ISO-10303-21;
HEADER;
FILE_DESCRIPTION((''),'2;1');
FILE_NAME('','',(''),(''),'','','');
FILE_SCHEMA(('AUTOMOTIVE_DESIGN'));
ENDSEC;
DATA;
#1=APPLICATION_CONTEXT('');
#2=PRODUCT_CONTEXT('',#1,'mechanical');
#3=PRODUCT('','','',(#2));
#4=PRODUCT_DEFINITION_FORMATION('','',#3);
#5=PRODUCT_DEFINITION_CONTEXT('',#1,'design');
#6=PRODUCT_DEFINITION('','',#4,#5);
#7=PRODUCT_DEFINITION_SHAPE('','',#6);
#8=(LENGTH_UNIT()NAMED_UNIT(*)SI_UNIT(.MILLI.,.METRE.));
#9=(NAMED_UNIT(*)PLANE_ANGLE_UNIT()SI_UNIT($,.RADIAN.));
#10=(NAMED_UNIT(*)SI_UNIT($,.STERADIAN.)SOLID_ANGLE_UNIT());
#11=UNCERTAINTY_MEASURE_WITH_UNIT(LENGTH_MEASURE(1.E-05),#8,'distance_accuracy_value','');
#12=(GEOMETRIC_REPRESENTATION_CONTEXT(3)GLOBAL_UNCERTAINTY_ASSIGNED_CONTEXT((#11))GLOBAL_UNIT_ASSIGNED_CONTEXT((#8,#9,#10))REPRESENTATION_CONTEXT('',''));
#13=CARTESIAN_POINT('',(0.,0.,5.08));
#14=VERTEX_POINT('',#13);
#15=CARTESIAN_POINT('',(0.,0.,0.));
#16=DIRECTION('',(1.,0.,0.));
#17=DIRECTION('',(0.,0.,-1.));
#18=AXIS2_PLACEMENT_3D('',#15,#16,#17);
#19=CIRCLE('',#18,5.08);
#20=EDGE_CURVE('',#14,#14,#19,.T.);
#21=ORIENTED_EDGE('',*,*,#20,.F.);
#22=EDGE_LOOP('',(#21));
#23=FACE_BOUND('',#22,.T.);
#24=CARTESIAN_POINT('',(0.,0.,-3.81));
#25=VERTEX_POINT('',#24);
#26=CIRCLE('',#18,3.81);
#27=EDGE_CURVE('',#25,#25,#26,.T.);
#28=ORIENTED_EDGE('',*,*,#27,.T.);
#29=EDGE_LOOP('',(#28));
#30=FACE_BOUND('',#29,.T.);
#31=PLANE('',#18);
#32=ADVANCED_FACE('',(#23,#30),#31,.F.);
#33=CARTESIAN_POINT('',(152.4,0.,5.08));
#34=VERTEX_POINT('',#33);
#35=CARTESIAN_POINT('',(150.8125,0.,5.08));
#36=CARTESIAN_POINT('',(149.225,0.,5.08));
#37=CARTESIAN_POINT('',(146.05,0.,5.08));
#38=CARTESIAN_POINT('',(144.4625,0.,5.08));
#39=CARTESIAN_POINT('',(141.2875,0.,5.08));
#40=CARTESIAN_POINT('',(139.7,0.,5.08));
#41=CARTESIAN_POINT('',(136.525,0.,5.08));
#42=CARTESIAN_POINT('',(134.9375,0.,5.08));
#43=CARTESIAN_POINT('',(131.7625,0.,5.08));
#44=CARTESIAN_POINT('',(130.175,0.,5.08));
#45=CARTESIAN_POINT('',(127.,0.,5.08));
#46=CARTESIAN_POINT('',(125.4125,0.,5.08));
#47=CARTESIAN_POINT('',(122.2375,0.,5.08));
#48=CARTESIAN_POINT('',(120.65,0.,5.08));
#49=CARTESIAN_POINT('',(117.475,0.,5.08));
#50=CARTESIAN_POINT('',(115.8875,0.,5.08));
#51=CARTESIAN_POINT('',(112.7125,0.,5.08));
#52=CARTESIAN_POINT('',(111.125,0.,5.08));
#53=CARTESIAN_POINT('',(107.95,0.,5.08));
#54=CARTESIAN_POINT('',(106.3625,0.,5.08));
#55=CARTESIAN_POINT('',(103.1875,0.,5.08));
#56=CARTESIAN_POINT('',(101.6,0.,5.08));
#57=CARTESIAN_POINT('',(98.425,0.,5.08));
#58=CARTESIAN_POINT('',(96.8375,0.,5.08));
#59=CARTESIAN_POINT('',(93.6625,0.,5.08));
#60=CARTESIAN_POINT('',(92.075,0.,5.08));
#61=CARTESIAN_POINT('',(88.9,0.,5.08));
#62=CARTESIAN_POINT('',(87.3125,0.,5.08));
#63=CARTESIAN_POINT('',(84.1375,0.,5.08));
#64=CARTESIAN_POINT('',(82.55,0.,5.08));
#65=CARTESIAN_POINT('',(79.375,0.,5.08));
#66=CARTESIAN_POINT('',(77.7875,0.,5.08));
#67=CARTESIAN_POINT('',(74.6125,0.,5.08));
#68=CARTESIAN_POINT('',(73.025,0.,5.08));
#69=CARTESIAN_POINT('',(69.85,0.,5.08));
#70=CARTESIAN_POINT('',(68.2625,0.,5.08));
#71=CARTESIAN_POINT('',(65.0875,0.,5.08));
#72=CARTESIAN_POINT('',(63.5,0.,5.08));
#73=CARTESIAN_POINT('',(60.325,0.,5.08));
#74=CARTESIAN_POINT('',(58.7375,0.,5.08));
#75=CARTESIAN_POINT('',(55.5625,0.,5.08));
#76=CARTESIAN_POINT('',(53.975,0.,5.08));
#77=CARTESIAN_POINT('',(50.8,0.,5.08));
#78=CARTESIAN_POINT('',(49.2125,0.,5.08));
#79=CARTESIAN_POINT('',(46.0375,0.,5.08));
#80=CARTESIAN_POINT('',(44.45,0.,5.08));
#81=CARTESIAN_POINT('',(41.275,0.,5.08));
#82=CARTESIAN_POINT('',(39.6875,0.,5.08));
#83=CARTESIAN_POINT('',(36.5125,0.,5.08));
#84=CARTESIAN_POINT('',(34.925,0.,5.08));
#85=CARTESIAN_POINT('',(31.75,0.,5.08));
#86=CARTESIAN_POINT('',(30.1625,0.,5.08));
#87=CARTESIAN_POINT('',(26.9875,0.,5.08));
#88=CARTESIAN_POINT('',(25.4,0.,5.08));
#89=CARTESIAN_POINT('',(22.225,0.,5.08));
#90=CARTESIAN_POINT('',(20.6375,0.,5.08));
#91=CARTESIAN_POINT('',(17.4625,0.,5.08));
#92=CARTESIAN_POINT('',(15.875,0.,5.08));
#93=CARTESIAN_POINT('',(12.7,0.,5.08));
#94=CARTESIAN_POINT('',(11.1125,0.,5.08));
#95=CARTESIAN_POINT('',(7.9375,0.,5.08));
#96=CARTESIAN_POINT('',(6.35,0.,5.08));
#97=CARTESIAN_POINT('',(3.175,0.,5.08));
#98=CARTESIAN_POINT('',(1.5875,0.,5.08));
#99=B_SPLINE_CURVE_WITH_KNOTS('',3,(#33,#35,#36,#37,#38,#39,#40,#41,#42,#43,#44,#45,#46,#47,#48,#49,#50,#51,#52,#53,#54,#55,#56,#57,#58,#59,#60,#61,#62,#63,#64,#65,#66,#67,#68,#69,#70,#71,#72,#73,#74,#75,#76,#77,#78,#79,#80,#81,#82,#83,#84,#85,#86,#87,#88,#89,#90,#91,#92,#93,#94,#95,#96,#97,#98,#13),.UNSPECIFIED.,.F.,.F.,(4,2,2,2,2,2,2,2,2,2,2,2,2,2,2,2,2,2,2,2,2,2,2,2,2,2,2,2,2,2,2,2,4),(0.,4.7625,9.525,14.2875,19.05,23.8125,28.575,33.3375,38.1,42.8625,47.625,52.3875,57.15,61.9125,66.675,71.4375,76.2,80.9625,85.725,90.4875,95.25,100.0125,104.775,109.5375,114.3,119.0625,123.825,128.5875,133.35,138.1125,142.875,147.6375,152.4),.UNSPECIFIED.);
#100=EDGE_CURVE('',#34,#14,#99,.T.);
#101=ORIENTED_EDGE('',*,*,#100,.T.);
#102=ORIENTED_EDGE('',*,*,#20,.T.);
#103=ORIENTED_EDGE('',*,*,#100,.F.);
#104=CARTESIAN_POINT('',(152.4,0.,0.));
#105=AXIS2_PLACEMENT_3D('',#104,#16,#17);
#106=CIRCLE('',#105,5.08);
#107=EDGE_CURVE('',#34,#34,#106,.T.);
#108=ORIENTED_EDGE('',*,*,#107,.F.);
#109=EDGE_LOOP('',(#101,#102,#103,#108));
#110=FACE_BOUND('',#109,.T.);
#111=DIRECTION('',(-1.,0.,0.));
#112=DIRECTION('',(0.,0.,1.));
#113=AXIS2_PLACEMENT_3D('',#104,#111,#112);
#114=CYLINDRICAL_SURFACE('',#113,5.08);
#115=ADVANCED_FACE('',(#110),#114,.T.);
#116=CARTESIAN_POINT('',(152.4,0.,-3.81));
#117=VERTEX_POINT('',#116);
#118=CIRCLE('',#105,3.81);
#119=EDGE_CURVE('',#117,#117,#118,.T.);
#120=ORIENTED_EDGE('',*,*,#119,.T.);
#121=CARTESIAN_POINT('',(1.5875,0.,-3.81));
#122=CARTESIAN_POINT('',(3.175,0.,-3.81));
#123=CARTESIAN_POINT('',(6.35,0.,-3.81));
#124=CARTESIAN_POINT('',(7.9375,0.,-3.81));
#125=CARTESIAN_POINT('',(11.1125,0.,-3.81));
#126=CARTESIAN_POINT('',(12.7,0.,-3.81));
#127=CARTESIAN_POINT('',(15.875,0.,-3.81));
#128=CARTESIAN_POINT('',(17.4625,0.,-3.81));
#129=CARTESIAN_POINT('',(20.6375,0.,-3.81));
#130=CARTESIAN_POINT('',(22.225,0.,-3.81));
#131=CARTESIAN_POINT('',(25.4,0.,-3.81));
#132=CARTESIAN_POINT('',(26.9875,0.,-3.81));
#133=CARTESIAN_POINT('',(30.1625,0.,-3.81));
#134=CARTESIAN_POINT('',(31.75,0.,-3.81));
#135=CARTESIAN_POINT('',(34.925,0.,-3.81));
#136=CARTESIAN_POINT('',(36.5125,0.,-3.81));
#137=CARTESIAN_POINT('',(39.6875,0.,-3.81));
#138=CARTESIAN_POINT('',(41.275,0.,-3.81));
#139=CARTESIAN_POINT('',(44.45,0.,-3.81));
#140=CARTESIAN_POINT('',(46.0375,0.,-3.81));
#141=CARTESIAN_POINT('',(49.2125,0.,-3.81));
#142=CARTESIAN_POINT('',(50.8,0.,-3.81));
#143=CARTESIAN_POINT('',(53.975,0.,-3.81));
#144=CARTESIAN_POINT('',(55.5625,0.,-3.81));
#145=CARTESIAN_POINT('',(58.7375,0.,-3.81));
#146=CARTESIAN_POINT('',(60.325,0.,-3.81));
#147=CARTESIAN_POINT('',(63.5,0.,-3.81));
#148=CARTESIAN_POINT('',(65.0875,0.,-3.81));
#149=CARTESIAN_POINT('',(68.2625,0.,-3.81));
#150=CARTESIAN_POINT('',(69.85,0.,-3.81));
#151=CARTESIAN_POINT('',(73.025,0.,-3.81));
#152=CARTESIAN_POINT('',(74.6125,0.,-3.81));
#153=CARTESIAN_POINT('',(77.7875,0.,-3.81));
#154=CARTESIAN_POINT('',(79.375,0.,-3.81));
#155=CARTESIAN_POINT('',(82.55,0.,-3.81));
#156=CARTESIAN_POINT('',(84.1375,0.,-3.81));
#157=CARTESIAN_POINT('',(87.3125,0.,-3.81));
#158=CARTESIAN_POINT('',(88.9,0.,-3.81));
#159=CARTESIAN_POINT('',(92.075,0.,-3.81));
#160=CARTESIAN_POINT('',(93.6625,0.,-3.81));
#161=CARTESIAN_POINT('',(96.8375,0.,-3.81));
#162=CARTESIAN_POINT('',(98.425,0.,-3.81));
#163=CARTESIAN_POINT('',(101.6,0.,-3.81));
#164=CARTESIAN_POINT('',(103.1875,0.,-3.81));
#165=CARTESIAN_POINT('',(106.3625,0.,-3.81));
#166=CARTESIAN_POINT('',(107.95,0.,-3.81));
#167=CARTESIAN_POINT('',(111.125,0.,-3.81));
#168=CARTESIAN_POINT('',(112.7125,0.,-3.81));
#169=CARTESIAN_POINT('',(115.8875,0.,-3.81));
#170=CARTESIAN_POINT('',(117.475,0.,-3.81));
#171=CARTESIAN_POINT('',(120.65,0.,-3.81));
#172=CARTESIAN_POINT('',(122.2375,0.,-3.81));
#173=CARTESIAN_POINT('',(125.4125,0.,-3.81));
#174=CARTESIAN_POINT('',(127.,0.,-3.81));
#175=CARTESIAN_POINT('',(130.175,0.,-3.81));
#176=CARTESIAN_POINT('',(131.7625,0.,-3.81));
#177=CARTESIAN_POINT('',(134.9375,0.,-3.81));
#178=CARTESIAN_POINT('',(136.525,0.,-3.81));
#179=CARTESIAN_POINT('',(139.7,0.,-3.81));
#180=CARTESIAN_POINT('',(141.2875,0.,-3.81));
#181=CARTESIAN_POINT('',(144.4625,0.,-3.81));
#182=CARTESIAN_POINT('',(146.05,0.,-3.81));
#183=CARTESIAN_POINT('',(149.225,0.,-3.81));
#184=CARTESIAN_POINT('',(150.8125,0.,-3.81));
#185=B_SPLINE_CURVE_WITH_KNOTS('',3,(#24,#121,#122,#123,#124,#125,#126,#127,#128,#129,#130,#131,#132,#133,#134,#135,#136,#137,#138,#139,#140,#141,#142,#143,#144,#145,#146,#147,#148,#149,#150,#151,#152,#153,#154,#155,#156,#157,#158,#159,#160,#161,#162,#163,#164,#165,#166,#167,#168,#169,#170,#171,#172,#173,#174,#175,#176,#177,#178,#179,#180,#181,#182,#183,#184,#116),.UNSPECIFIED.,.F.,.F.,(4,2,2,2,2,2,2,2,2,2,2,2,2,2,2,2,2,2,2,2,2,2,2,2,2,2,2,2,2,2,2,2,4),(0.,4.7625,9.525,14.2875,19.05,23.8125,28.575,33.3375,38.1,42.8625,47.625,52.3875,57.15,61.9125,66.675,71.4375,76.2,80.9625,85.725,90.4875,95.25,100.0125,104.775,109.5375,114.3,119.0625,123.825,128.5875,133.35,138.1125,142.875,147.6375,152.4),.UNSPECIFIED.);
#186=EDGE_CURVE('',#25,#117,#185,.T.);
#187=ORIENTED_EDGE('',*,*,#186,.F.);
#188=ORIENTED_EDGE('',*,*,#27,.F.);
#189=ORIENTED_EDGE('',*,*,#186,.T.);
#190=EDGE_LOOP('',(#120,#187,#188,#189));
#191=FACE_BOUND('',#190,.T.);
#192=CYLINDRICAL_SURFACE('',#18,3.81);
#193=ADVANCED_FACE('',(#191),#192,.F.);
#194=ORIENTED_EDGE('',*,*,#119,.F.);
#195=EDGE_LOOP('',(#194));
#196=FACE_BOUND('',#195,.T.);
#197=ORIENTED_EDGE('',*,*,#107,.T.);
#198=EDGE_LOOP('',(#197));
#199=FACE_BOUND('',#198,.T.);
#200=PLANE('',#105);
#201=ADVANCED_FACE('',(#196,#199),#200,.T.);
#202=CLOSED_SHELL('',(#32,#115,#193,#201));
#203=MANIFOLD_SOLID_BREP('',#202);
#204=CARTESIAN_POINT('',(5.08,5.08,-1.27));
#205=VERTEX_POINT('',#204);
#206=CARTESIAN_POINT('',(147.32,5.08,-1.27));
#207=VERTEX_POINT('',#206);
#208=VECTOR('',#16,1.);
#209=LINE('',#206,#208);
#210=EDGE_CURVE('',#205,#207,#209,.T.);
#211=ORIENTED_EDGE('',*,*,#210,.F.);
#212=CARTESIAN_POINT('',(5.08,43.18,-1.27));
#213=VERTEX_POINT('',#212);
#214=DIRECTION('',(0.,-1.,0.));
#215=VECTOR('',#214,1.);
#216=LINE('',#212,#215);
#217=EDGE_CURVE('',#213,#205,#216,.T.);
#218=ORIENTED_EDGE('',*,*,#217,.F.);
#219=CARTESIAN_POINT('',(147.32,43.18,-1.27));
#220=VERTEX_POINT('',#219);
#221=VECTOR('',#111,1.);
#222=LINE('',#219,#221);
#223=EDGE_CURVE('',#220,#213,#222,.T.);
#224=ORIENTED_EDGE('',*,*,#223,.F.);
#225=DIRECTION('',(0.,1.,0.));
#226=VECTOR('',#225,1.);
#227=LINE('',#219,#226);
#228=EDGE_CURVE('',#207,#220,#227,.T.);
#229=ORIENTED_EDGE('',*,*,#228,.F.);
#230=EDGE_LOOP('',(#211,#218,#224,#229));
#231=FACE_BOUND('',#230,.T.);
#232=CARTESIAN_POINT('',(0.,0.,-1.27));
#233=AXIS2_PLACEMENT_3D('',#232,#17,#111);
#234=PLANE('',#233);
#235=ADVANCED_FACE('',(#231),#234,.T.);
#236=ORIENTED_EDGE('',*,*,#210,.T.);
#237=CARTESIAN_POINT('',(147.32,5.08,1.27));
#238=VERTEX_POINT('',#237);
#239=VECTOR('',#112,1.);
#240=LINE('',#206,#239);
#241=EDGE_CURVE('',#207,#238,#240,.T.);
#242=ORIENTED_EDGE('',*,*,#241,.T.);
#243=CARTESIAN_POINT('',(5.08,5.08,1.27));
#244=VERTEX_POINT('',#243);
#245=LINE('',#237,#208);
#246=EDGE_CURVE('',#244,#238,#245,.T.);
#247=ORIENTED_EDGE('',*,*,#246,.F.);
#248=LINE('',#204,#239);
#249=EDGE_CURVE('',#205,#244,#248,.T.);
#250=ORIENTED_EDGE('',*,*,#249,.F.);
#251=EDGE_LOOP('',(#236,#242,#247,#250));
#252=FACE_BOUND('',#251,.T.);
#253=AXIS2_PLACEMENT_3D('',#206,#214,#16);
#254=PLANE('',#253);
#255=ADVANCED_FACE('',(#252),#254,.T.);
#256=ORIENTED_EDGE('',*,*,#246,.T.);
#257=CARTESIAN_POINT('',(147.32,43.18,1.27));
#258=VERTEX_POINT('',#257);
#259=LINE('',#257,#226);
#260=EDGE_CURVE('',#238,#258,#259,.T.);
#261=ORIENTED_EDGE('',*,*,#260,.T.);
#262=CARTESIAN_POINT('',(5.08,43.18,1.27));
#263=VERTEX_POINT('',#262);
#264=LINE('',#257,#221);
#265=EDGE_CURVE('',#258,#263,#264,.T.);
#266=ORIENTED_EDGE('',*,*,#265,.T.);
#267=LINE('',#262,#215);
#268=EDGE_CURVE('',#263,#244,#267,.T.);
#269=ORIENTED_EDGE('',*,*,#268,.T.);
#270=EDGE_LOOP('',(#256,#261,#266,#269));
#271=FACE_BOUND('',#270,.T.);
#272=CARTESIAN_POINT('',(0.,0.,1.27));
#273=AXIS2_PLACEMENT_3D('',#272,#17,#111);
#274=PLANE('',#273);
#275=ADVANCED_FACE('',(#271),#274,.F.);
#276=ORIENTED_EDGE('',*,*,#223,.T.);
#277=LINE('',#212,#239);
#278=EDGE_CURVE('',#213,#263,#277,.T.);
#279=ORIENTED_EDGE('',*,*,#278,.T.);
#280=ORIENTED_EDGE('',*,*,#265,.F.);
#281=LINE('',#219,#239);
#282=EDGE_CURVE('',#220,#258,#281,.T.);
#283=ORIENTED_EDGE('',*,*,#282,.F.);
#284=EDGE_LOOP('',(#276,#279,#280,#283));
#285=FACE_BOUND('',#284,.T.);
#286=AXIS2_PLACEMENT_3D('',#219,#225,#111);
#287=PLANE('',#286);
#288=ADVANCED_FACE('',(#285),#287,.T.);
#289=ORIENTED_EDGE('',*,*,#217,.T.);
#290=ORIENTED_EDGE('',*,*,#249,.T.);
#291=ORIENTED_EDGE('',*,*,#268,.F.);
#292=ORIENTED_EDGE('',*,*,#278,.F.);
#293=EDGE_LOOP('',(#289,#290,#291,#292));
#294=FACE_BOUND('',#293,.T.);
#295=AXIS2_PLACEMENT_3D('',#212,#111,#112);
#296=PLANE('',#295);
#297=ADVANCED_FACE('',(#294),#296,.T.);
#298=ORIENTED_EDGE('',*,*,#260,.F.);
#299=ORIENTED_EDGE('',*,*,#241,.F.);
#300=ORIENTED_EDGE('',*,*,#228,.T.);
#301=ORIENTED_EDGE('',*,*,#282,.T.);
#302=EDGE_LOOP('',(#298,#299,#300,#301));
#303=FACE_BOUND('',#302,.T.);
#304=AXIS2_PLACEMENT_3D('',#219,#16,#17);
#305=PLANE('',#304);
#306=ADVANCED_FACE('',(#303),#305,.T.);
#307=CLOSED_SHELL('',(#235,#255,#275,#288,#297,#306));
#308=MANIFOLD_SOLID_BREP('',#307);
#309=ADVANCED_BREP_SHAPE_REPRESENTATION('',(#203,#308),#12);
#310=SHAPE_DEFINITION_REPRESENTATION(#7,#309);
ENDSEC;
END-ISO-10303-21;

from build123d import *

# Parameters (mm, degrees)
SKETCH1_R                = 5.08
BOSS_EXTRUDE1_DEPTH      = 152.4
SKETCH2_R                = 3.81
CUT_EXTRUDE1_DEPTH       = 152.4
BOSS_EXTRUDE2_DEPTH      = 1.27
BOSS_EXTRUDE2_DEPTH_BACK = 1.27
SKETCH3_W                = 142.24
SKETCH3_H                = 38.1


with BuildPart() as part:
    # Sketch1 → Boss-Extrude1 (new body)
    with BuildSketch(Plane(origin=(0, 0, 0), x_dir=(0, 0, -1), z_dir=(1, 0, 0))):
        Circle(SKETCH1_R)
    extrude(amount=BOSS_EXTRUDE1_DEPTH)

    # Sketch2 → Cut-Extrude1 (cut)
    with BuildSketch(Plane(origin=(152.4, 0, 0), x_dir=(0, 0, -1), z_dir=(1, 0, 0))):
        Circle(SKETCH2_R)
    extrude(amount=-CUT_EXTRUDE1_DEPTH, mode=Mode.SUBTRACT)


with BuildPart() as body_2:
    # Sketch3 → Boss-Extrude2 (new, two sides: drawn at the far end of the back side and taken through both)
    with BuildSketch(Plane.XY.offset(-BOSS_EXTRUDE2_DEPTH_BACK)):
        with Locations((76.2, 24.13)):
            Rectangle(SKETCH3_W, SKETCH3_H)
    extrude(amount=BOSS_EXTRUDE2_DEPTH + BOSS_EXTRUDE2_DEPTH_BACK)


solid = Compound([part.part, body_2.part])
